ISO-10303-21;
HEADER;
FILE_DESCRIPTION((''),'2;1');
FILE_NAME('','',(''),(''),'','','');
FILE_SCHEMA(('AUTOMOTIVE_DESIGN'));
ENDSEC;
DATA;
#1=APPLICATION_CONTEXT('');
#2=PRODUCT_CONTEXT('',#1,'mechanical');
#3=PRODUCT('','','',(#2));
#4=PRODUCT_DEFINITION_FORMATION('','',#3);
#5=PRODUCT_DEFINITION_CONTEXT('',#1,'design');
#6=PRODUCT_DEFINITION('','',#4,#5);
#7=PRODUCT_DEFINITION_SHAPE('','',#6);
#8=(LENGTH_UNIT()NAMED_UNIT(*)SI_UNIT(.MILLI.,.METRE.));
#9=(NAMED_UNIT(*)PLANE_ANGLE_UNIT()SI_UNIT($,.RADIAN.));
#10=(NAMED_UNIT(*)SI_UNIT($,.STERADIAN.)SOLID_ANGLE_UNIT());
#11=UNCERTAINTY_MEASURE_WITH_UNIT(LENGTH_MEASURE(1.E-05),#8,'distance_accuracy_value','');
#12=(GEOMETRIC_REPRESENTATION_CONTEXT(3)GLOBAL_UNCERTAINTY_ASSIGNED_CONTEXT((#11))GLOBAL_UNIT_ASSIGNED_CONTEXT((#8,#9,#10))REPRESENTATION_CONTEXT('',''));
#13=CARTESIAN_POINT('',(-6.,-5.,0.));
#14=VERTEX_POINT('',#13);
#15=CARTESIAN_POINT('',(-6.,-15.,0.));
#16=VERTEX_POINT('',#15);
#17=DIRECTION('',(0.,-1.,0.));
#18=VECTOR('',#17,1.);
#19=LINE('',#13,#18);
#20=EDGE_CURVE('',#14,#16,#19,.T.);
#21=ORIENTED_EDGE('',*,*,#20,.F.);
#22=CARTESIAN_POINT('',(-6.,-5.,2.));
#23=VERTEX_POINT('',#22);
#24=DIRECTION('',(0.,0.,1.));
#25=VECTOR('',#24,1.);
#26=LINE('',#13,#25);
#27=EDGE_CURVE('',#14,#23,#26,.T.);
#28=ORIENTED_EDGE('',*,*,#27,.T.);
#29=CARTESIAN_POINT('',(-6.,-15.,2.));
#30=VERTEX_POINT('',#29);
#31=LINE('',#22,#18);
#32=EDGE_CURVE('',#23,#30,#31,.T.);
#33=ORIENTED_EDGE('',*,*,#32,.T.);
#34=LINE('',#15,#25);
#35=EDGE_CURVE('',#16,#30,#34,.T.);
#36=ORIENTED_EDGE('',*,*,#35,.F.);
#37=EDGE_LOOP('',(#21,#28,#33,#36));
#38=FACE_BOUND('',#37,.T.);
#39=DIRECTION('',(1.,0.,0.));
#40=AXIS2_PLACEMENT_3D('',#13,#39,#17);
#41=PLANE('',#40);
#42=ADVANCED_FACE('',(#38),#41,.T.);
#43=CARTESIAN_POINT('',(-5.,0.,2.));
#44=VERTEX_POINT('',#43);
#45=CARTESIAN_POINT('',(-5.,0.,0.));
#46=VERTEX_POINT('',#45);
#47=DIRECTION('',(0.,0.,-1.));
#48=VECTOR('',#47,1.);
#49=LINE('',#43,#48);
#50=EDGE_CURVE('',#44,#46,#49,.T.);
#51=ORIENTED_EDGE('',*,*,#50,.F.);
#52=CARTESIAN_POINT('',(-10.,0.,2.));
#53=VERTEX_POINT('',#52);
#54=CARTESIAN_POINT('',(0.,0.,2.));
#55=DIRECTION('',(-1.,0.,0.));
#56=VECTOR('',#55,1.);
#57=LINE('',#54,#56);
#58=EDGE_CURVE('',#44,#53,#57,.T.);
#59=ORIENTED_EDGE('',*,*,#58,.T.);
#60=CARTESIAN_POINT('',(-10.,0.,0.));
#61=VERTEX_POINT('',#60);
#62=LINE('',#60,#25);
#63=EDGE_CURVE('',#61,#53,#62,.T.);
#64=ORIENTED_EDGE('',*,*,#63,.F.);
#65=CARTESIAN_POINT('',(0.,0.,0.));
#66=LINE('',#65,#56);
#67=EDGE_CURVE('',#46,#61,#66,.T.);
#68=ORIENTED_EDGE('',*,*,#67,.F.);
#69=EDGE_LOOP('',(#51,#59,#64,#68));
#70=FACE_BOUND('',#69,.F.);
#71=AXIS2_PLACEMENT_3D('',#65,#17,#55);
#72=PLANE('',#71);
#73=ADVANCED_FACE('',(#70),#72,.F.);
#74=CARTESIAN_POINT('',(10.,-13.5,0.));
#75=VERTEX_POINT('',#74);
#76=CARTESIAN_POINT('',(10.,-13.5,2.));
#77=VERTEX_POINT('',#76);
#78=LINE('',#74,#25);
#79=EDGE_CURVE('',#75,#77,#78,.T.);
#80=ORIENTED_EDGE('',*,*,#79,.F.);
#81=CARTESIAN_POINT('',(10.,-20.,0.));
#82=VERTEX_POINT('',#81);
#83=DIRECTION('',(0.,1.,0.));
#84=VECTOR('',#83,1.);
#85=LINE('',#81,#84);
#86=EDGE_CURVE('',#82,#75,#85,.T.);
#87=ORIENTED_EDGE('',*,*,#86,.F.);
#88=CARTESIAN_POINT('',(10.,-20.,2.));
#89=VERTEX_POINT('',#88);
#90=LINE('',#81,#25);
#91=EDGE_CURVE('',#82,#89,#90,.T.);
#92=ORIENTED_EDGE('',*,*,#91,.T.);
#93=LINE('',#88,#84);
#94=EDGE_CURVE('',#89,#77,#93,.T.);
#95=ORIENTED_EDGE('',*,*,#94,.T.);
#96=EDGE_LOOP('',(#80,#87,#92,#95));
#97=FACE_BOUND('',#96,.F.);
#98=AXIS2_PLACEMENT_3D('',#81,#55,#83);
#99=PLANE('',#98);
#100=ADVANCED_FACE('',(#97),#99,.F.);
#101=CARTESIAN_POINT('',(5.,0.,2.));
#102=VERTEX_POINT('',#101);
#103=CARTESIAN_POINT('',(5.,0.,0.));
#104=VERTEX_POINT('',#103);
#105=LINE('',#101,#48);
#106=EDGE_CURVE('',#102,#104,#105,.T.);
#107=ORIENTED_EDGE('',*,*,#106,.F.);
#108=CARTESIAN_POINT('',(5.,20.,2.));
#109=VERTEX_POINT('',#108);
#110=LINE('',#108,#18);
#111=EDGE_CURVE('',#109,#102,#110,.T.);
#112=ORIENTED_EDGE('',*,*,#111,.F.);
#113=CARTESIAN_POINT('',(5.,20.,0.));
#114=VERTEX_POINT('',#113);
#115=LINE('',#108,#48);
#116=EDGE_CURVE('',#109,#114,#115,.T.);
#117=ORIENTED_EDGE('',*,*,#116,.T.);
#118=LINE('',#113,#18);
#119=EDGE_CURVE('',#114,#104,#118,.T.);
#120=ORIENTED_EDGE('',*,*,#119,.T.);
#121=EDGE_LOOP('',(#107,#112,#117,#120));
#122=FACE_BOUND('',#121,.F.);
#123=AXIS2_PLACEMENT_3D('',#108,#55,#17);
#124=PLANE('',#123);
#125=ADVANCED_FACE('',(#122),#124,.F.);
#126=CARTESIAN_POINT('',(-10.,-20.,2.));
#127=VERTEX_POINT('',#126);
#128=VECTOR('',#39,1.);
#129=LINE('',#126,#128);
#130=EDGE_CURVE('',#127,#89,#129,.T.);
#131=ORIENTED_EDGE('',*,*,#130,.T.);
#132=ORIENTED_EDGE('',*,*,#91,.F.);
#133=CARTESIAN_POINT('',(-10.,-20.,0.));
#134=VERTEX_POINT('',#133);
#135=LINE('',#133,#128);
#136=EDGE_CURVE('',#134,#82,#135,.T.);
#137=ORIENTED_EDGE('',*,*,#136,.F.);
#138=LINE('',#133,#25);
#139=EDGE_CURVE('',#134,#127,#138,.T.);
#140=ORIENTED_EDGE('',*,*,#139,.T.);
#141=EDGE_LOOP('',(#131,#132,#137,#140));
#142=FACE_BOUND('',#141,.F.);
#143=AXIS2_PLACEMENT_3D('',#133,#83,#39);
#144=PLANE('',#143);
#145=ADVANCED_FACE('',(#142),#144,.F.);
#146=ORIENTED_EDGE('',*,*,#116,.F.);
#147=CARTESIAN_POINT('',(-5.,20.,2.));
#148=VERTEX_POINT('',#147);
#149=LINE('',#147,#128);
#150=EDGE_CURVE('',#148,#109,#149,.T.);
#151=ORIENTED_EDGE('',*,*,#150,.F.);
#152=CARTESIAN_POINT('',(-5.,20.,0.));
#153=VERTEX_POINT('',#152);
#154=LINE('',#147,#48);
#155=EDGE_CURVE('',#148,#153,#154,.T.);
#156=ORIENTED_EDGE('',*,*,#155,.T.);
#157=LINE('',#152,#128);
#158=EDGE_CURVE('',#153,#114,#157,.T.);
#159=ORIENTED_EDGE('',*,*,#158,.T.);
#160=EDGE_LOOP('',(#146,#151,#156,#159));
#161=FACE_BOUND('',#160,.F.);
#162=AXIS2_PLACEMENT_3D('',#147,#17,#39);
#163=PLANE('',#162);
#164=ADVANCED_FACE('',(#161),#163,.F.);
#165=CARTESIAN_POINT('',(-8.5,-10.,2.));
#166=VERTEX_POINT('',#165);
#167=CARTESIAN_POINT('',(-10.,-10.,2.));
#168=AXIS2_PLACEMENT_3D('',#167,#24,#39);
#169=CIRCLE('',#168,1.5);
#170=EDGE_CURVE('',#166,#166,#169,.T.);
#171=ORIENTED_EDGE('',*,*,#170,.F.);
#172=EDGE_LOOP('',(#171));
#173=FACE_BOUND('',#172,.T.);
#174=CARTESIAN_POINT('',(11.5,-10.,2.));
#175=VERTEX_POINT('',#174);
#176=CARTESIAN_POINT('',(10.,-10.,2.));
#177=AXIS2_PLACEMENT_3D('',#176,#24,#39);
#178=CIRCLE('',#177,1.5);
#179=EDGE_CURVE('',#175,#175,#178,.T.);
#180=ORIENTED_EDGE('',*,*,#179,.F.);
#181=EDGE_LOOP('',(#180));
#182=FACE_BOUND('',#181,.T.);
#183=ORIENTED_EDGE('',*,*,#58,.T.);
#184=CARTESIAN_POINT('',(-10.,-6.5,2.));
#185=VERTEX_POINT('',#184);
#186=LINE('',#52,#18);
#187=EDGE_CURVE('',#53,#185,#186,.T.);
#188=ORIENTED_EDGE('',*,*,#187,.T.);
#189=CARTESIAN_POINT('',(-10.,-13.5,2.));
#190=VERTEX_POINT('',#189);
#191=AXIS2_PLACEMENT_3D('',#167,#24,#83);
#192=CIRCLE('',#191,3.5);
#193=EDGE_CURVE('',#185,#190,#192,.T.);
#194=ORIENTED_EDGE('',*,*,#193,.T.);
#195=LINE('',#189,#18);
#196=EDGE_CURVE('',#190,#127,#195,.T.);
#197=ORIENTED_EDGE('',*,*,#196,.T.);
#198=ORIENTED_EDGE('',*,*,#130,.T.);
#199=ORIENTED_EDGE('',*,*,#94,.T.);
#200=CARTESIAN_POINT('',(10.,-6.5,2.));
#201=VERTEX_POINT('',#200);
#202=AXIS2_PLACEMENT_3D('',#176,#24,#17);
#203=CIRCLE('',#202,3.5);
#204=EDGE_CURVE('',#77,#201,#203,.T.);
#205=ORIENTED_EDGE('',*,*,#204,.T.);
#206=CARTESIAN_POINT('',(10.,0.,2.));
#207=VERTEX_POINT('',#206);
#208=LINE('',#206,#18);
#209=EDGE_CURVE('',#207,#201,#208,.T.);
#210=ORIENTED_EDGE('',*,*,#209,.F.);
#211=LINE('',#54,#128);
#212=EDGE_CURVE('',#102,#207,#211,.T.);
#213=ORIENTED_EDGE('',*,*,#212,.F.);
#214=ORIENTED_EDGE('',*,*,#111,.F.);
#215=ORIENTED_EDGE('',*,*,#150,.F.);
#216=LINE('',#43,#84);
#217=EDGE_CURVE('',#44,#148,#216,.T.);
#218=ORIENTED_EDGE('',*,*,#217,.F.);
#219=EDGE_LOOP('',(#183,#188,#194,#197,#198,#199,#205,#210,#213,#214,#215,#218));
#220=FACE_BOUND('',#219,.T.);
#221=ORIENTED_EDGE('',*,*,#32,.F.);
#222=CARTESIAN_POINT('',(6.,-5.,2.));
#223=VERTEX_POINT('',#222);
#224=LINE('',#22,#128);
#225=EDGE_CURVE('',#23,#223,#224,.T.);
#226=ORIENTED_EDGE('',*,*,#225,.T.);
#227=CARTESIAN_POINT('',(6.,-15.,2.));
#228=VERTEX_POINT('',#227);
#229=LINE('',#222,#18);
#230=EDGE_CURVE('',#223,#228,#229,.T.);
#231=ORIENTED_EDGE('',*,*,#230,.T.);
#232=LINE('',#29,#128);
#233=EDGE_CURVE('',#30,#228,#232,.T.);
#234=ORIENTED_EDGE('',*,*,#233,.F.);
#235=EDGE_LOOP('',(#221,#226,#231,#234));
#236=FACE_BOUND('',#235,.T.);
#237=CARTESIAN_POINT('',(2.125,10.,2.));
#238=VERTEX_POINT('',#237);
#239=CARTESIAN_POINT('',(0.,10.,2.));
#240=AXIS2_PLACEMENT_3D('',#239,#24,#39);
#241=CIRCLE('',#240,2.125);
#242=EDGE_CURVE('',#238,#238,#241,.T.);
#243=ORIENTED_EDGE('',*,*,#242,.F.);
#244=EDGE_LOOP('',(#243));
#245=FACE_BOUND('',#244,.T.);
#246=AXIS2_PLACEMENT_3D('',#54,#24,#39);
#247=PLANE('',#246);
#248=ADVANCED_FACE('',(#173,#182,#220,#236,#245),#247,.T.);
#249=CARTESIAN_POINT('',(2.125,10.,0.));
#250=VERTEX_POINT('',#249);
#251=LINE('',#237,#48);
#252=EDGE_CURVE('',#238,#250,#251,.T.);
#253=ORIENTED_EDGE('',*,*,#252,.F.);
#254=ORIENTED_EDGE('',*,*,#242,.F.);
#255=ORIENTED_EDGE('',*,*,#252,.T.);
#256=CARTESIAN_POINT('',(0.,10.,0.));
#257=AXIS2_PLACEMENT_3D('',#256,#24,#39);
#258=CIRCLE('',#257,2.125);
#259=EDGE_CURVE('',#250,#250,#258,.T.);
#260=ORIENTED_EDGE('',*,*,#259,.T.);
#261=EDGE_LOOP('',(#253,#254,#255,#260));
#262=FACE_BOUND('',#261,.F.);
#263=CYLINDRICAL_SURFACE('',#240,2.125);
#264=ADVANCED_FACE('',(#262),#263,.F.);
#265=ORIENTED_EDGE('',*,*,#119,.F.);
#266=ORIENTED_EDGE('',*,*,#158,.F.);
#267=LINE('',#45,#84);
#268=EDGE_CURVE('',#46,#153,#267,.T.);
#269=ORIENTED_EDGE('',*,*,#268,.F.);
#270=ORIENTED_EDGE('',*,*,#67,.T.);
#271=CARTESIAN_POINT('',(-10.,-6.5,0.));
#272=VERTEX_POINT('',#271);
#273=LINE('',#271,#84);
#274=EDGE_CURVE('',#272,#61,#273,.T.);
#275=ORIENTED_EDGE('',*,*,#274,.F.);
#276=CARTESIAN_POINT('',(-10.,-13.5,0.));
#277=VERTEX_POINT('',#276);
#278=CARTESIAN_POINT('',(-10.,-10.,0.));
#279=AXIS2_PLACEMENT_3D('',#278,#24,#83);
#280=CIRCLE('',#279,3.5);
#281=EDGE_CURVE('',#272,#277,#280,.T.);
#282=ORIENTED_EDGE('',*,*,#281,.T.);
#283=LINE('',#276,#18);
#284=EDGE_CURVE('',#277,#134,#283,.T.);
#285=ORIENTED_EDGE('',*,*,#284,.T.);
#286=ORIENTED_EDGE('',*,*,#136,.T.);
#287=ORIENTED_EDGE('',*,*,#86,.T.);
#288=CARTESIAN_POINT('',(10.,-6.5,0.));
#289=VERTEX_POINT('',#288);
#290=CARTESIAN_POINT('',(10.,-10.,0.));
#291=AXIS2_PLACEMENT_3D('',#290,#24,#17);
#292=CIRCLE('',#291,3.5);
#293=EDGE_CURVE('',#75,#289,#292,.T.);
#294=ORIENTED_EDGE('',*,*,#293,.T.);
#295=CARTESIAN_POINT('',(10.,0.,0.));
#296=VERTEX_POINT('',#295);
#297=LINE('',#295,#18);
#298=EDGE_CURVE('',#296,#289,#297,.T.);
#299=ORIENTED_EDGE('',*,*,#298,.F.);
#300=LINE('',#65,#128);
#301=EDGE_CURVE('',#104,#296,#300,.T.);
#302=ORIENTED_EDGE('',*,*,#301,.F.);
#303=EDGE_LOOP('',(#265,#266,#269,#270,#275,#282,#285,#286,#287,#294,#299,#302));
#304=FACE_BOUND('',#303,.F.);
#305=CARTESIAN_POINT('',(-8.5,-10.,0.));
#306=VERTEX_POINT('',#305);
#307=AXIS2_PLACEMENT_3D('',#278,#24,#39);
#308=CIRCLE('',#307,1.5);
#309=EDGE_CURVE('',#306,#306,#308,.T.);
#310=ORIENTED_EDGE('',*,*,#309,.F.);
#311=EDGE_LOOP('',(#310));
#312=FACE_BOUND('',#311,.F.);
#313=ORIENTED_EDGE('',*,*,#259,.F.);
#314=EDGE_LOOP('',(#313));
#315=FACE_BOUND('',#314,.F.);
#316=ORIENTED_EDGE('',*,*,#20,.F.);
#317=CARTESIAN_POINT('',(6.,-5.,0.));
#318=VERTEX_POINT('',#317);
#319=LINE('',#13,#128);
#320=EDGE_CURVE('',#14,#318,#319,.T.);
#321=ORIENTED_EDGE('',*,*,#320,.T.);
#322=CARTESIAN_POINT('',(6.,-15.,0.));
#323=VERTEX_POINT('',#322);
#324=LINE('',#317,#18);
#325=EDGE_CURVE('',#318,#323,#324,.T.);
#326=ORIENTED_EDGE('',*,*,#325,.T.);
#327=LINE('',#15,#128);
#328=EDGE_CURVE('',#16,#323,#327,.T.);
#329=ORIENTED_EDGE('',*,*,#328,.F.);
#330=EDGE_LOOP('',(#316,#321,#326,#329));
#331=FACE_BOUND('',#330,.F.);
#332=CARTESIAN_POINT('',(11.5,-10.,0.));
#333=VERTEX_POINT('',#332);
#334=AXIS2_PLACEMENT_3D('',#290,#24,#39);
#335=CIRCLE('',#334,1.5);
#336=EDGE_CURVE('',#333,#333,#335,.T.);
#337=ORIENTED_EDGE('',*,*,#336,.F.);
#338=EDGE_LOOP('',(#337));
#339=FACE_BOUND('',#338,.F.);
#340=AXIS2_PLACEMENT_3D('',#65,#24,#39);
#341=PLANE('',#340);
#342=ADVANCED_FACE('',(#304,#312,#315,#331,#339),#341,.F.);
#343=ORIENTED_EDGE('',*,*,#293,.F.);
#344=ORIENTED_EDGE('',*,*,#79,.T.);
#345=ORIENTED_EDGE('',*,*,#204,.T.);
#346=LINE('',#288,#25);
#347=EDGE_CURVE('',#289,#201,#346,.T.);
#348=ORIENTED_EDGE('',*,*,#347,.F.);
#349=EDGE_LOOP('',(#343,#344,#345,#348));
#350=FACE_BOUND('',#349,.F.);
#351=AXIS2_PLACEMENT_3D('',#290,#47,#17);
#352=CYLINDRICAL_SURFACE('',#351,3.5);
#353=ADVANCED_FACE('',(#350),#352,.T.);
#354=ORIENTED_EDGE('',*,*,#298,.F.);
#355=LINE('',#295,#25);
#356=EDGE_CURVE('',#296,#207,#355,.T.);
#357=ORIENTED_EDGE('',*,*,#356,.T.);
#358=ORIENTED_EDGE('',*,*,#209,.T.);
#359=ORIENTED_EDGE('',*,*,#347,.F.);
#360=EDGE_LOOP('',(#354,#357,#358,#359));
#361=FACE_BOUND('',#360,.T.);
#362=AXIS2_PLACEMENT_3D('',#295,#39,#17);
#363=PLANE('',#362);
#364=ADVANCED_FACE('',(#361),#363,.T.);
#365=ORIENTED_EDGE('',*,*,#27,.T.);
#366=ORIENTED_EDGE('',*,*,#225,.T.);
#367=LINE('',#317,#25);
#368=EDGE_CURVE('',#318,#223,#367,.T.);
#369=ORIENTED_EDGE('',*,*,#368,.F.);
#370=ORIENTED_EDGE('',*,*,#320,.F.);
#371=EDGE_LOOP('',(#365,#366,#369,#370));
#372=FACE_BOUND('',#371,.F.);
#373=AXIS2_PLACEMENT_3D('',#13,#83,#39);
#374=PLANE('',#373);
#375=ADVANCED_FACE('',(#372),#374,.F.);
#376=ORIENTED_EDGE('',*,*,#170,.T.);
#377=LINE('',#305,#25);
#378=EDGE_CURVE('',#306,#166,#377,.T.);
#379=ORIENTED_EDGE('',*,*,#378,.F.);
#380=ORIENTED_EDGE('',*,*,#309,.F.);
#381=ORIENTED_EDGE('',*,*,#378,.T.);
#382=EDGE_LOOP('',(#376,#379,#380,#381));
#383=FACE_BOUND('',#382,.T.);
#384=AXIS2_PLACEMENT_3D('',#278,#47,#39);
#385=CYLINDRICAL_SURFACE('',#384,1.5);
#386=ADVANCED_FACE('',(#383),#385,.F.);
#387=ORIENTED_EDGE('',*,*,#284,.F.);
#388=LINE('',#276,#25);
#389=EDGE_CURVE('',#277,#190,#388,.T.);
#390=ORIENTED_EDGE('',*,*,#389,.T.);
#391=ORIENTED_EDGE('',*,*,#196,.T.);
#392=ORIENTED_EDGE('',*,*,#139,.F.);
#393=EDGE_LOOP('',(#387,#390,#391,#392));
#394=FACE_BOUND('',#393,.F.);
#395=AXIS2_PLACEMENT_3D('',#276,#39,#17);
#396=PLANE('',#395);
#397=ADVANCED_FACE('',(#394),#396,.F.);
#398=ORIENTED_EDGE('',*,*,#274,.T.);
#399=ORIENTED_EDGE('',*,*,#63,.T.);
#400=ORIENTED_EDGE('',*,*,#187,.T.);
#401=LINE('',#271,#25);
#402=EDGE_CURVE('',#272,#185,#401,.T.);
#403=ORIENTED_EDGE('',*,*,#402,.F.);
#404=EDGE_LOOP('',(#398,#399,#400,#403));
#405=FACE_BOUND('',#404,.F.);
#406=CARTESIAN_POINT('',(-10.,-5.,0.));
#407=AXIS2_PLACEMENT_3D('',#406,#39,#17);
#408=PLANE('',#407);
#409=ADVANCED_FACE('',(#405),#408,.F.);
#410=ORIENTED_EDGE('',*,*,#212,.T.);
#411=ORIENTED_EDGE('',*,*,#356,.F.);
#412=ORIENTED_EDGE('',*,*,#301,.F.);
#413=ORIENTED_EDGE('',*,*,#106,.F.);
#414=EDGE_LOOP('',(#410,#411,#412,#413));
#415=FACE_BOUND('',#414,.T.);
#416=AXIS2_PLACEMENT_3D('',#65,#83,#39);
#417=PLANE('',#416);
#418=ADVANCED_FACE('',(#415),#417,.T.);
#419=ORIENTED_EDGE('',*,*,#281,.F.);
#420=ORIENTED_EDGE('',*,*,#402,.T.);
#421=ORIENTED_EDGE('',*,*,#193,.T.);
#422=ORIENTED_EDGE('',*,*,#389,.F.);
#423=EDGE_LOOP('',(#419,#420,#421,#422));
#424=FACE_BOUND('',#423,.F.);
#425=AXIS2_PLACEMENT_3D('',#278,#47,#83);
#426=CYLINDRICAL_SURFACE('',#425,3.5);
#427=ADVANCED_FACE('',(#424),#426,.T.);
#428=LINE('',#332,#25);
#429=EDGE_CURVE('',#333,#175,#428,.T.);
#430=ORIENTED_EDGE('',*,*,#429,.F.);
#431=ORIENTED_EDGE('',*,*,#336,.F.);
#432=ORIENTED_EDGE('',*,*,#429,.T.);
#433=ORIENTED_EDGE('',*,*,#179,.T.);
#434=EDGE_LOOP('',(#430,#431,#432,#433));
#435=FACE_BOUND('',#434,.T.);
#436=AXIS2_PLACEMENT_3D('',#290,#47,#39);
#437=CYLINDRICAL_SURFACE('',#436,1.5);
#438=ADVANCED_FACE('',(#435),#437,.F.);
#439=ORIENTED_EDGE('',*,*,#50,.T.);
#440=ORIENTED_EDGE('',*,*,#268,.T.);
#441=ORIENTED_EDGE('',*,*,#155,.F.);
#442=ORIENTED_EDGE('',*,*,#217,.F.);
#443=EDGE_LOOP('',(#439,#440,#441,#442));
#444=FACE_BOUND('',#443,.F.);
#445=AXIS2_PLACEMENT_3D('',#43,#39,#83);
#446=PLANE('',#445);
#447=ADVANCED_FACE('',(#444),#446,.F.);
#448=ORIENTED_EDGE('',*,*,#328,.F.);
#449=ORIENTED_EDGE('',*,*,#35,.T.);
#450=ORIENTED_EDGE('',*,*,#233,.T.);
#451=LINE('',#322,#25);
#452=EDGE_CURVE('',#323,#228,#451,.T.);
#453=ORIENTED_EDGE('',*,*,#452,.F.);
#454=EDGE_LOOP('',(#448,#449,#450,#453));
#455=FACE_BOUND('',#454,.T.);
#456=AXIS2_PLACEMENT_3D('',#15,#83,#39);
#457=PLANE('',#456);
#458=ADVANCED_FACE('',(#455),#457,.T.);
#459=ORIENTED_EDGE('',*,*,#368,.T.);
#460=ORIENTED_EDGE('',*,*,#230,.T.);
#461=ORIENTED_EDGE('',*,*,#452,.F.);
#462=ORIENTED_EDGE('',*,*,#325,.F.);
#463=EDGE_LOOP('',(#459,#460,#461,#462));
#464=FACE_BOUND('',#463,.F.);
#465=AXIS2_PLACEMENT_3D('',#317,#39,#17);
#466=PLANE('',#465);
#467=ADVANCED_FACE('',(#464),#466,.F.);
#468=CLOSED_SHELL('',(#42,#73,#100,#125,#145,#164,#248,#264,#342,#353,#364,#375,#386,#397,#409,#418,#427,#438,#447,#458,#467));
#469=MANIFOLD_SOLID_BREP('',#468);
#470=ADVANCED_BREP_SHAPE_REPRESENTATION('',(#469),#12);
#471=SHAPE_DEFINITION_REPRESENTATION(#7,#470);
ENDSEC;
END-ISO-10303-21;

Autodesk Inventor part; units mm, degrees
ref_plane "YZ Plane" through (0, 0, 0) normal (1, 0, 0) x (0, 1, 0)
ref_plane "XZ Plane" through (0, 0, 0) normal (0, 1, 0) x (-1, 0, 0)
ref_plane "XY Plane" through (0, 0, 0) normal (0, 0, 1) x (1, 0, 0)
sketch "Sketch1" plane through (0, 0, 0) normal (0, 0, 1) x (1, 0, 0)
  line L0 (0, 0) -> (10, 0)
  line L1 (0, 0) -> (-10, 0)
  line L2 (-10, 0) -> (-10, -6.5)
  line L3 (10, 0) -> (10, -6.5)
  line L4 (-10, 0) -> (10, 0)
  line L5 (-10, -20) -> (10, -20)
  line L6 (-10, -6.5) -> (-10, -5)
  line L7 (-6, -5) -> (6, -5)
  line L8 (-6, -15) -> (6, -15)
  line L9 (6, -5) -> (6, -15)
  line L10 (-6, -5) -> (-6, -15)
  line L11 (-10, 0) -> (-10, -6.5)
  line L12 (-10, -13.5) -> (-10, -20)
  line L13 (10, -20) -> (10, -13.5)
  line L14 (10, -6.5) -> (10, 0)
  circle A0 centre (10, -10) radius 1.5
  arc A1 (10, -13.5) -> (10, -6.5) centre (10, -10) ccw
  circle A2 centre (-10, -10) radius 1.5
  arc A3 (-10, -6.5) -> (-10, -13.5) centre (-10, -10) ccw
  dimension "d0" = 10
  dimension "d1" = 10
  dimension "d2" = 20
  dimension "d7" = 3
  dimension "d8" = 7
  dimension "d9" = 3
  dimension "d10" = 7
extrude "Extrusion1" add sketch "Sketch1" along normal blind 2
thread "Thread2" size "M3x0.5" class "6H" standard "ANSI Metric M Profile" full length
thread "Thread3" size "M3x0.5" class "6H" standard "ANSI Metric M Profile" full length
sketch "Sketch6" plane through (0, 0, 2) normal (0, 0, 1) x (1, 0, 0)
  line L0 (10, 0) -> (-10, 0) projected
  line L1 (-5, 0) -> (-5, 20)
  line L2 (-5, 0) -> (15, 0) construction
  line L3 (-5, 20) -> (5, 20)
  line L4 (5, 20) -> (5, 0)
  arc A0 (-10, -6.5) -> (-10, -13.5) centre (-10, -10) ccw projected
  arc A1 (10, -13.5) -> (10, -6.5) centre (10, -10) ccw projected
  line L5 (-13.5, -10) -> (13.5, -10)
  circle A2 centre (0, 10) radius 2.125
  point P0 (0, 0)
  dimension "d45" = 20
  dimension "d47" = 10
  dimension "d59" = 4.25
extrude "Extrusion7" add sketch "Sketch6" against normal blind 2
properties part number "Time of Flight Attachment 2.0"
